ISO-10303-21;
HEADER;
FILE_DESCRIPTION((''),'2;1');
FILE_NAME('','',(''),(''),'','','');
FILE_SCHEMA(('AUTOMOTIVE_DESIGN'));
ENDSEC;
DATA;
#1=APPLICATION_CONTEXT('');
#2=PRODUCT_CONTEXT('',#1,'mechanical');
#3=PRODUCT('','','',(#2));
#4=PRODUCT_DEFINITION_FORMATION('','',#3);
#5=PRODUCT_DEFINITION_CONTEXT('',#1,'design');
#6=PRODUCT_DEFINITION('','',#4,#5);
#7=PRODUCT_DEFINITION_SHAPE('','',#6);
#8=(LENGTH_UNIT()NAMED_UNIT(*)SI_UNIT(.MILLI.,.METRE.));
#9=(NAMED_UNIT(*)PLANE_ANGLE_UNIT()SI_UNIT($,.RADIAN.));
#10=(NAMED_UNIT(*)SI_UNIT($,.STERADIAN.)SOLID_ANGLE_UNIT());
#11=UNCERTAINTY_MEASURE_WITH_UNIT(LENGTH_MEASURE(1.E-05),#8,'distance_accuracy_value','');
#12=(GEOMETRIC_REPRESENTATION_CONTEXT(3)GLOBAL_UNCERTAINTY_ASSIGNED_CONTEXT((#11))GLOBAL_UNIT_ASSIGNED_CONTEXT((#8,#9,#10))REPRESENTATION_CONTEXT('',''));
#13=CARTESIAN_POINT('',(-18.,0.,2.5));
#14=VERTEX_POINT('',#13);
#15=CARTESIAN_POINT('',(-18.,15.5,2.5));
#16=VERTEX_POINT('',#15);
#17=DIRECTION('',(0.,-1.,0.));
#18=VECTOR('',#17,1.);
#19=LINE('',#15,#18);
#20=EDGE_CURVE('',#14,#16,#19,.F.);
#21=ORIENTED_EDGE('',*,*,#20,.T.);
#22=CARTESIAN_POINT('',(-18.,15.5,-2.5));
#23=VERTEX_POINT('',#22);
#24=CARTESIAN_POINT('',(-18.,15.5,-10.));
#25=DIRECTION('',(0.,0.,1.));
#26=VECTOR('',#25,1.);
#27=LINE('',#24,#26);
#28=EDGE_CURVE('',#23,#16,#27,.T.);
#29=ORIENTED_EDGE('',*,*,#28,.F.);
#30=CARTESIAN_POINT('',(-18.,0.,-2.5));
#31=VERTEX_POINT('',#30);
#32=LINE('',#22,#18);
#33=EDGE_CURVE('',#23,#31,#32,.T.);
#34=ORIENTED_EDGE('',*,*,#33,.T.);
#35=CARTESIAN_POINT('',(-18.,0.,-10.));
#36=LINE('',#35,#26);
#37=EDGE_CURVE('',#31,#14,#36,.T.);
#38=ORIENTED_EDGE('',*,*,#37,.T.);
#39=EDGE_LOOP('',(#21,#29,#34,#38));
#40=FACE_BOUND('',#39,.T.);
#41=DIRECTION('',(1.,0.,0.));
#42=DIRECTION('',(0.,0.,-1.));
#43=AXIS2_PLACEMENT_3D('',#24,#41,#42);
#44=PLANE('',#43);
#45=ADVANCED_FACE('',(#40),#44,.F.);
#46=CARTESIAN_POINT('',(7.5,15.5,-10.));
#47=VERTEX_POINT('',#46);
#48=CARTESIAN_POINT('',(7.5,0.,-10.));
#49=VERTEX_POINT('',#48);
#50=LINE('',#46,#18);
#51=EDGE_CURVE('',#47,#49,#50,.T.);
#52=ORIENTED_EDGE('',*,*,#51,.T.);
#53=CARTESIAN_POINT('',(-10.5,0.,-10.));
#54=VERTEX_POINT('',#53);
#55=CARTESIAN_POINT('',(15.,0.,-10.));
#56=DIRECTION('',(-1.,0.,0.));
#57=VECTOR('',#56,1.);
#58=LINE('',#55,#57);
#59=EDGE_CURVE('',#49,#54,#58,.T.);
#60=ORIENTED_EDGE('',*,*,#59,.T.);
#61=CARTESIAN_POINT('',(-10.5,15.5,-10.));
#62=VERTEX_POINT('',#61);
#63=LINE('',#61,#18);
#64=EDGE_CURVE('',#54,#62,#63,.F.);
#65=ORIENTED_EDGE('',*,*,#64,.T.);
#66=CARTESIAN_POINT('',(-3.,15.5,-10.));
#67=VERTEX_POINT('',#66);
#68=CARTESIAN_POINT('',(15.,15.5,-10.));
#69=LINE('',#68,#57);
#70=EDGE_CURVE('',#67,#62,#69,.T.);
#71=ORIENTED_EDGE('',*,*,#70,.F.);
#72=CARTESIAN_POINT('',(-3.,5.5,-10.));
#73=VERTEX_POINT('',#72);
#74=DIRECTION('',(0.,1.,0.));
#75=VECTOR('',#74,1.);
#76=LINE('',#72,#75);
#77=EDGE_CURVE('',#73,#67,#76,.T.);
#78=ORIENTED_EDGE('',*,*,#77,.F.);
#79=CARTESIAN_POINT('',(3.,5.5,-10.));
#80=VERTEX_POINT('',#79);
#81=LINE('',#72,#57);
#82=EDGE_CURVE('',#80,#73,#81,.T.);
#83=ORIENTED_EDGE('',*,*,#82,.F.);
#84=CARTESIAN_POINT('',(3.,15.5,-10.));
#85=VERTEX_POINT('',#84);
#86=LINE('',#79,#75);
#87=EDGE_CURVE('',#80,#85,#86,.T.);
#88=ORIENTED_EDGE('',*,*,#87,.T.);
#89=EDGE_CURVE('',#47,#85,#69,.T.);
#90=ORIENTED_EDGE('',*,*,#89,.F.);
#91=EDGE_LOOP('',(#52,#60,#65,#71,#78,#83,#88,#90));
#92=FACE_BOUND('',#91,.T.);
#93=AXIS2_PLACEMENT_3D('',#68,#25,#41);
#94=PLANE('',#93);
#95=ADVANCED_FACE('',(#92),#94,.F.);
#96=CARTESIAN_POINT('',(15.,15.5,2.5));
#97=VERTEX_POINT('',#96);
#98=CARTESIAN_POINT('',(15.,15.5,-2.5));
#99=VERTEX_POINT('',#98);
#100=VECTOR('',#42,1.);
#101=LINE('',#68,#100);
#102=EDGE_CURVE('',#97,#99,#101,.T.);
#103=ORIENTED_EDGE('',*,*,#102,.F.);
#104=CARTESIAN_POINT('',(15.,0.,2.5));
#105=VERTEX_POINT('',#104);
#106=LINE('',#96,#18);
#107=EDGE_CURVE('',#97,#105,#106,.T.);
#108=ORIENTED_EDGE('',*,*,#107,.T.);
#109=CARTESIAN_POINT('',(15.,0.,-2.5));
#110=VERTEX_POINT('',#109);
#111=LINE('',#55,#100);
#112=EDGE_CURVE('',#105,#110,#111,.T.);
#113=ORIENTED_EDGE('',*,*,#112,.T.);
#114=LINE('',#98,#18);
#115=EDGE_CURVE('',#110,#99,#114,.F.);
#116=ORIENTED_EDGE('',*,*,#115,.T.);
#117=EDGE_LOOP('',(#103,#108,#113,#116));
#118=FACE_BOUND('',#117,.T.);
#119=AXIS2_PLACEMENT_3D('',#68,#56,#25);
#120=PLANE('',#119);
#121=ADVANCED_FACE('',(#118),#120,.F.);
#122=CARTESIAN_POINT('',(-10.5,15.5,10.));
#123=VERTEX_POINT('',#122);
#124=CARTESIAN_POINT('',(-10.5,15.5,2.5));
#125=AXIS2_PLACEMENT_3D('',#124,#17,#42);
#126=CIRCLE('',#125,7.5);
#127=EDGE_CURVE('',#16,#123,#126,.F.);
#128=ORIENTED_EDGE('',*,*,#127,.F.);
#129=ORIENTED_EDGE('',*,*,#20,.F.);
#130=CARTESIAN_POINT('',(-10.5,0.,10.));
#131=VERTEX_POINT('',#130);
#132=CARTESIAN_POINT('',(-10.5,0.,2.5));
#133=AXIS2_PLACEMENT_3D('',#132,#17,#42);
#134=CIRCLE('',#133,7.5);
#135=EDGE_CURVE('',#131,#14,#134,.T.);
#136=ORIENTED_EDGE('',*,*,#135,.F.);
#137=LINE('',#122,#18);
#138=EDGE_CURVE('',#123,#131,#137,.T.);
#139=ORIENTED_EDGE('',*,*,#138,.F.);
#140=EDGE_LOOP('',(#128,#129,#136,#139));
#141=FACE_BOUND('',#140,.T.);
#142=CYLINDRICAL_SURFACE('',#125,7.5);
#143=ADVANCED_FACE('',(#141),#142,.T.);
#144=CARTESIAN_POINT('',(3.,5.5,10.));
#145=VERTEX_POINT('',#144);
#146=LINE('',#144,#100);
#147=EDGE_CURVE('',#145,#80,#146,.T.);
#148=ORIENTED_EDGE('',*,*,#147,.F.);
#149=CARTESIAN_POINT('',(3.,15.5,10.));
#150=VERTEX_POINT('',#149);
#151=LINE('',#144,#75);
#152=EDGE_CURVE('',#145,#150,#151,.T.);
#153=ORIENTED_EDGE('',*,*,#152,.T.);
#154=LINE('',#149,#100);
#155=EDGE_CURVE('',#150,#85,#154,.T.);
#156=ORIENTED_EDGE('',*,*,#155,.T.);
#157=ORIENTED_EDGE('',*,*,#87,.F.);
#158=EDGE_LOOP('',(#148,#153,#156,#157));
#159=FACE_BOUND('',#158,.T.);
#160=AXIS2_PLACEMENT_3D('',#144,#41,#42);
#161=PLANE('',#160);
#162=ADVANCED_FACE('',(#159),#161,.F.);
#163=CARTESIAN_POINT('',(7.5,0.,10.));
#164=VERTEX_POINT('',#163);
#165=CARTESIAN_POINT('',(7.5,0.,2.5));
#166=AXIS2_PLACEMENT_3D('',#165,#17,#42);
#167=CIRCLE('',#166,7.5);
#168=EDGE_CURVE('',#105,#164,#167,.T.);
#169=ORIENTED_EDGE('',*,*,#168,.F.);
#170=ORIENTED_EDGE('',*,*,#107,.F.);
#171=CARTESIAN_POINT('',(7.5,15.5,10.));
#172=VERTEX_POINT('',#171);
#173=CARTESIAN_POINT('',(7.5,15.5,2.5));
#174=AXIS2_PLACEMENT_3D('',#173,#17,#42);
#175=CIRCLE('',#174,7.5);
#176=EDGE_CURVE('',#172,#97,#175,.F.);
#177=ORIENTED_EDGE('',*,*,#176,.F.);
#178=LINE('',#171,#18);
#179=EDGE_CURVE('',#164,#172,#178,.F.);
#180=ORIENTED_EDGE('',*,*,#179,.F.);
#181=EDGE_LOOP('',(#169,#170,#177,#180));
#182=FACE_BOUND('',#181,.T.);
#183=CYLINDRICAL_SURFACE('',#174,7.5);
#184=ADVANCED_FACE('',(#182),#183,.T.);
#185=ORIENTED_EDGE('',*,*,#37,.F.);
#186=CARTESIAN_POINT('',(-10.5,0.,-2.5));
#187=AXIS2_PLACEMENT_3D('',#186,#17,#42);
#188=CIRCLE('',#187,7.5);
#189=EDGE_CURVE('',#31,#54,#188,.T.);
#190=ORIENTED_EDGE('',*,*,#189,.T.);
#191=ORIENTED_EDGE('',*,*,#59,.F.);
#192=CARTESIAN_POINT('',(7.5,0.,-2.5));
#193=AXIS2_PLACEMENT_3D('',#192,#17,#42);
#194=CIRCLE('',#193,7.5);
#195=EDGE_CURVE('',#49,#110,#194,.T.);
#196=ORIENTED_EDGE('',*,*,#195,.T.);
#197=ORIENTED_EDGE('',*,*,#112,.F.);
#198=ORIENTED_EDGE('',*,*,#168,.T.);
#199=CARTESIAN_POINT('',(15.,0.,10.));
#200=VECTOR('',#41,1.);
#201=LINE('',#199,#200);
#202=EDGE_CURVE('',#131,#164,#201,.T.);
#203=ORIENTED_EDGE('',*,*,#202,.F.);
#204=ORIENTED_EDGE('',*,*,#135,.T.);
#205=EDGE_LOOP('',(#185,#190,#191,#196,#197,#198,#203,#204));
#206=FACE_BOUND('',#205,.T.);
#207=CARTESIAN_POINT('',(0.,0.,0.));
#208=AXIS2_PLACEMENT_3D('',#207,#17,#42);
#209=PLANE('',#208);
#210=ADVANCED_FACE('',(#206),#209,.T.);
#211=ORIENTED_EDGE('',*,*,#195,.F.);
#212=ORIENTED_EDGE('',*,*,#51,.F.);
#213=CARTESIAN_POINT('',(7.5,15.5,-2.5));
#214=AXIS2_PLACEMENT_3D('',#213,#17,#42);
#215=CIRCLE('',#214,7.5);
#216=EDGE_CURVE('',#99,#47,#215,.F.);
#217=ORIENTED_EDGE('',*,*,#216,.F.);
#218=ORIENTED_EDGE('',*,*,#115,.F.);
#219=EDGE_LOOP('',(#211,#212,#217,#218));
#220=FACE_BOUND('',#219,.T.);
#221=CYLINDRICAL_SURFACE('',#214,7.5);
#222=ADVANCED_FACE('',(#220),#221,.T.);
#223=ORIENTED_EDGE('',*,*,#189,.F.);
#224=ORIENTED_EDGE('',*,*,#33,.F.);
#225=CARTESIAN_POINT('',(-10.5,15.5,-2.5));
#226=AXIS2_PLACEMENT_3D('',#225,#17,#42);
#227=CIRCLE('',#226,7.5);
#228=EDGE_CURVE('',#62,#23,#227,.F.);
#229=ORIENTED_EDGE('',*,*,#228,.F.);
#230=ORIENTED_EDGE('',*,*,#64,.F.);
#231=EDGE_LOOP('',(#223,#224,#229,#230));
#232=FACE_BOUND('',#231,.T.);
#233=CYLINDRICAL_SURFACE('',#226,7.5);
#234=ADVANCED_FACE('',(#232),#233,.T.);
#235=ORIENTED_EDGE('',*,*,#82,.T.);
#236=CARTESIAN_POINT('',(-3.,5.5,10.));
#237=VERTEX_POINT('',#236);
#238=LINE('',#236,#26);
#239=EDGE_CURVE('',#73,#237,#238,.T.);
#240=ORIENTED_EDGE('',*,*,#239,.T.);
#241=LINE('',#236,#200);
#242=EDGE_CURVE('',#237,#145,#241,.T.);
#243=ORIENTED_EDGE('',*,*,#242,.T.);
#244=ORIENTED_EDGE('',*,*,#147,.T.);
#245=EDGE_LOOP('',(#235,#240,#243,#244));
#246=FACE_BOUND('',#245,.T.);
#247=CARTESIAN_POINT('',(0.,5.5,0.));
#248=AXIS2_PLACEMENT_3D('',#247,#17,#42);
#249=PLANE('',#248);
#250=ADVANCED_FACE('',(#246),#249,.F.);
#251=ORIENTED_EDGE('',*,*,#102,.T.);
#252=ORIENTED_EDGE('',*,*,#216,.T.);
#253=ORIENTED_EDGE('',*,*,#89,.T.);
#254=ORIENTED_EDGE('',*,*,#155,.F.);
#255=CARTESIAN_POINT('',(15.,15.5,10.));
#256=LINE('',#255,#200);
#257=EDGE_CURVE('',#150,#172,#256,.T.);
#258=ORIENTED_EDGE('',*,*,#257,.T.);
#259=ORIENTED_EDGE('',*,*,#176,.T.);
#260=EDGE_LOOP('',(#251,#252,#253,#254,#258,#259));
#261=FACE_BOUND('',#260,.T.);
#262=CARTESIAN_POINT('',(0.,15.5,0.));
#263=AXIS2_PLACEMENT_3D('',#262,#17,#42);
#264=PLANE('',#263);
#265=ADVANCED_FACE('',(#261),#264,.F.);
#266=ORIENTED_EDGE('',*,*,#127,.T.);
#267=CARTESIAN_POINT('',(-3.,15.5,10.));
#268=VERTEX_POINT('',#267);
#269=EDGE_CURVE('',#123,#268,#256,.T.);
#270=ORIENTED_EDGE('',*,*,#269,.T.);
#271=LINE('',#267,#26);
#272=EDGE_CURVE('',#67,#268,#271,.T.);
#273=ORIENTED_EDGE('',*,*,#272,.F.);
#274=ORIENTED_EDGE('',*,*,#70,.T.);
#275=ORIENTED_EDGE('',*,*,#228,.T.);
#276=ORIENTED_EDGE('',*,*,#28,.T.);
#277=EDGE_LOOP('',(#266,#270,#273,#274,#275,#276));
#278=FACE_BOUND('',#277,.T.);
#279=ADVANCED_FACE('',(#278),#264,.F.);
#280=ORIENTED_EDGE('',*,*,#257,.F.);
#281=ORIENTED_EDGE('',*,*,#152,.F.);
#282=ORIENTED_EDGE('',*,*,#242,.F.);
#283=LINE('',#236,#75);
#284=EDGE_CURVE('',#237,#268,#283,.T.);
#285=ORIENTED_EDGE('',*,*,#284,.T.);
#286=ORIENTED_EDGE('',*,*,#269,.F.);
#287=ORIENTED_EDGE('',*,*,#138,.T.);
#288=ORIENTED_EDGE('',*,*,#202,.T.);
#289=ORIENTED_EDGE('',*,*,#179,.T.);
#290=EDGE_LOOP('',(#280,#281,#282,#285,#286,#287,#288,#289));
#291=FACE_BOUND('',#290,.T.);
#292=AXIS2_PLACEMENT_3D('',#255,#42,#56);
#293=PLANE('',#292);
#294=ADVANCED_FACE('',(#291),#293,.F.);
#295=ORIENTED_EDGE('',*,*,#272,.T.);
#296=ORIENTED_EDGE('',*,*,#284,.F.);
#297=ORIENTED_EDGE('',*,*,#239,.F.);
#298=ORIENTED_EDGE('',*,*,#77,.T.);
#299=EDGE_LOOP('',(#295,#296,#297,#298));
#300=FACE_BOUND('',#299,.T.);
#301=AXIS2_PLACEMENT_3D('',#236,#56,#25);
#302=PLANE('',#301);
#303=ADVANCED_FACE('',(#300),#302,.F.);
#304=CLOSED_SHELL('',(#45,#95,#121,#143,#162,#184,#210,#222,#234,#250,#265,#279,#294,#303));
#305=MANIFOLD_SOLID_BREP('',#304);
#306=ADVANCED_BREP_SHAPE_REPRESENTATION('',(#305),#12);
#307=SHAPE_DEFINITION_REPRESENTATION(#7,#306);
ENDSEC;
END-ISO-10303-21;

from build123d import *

# Parameters (mm, degrees)
CROQUIS1_W              = 33
CROQUIS1_H              = 20
SALIENTE_EXTRUIR1_DEPTH = 15.5
CROQUIS6_W              = 6
CROQUIS6_H              = 20
CORTAR_EXTRUIR2_DEPTH   = 10
REDONDEO1_R             = 7.5


with BuildPart() as part:
    # Croquis1 → Saliente-Extruir1 (new body)
    with BuildSketch(Plane(origin=(0, 0, 0), x_dir=(1, 0, 0), z_dir=(0, 1, 0))):
        with Locations((-1.5, 0)):
            Rectangle(CROQUIS1_W, CROQUIS1_H)
    extrude(amount=SALIENTE_EXTRUIR1_DEPTH)

    # Croquis6 → Cortar-Extruir2 (cut)
    with BuildSketch(Plane(origin=(0, 15.5, 0), x_dir=(1, 0, 0), z_dir=(0, 1, 0))):
        Rectangle(CROQUIS6_W, CROQUIS6_H)
    extrude(amount=-CORTAR_EXTRUIR2_DEPTH, mode=Mode.SUBTRACT)

    # Redondeo1
    redondeo1_edges = [part.edges().sort_by_distance(p)[0] for p in [
        (15, 7.75, 10),
        (-18, 7.75, 10),
        (-18, 7.75, -10),
        (15, 7.75, -10),
    ]]
    fillet(redondeo1_edges, radius=REDONDEO1_R)


solid = part.part
